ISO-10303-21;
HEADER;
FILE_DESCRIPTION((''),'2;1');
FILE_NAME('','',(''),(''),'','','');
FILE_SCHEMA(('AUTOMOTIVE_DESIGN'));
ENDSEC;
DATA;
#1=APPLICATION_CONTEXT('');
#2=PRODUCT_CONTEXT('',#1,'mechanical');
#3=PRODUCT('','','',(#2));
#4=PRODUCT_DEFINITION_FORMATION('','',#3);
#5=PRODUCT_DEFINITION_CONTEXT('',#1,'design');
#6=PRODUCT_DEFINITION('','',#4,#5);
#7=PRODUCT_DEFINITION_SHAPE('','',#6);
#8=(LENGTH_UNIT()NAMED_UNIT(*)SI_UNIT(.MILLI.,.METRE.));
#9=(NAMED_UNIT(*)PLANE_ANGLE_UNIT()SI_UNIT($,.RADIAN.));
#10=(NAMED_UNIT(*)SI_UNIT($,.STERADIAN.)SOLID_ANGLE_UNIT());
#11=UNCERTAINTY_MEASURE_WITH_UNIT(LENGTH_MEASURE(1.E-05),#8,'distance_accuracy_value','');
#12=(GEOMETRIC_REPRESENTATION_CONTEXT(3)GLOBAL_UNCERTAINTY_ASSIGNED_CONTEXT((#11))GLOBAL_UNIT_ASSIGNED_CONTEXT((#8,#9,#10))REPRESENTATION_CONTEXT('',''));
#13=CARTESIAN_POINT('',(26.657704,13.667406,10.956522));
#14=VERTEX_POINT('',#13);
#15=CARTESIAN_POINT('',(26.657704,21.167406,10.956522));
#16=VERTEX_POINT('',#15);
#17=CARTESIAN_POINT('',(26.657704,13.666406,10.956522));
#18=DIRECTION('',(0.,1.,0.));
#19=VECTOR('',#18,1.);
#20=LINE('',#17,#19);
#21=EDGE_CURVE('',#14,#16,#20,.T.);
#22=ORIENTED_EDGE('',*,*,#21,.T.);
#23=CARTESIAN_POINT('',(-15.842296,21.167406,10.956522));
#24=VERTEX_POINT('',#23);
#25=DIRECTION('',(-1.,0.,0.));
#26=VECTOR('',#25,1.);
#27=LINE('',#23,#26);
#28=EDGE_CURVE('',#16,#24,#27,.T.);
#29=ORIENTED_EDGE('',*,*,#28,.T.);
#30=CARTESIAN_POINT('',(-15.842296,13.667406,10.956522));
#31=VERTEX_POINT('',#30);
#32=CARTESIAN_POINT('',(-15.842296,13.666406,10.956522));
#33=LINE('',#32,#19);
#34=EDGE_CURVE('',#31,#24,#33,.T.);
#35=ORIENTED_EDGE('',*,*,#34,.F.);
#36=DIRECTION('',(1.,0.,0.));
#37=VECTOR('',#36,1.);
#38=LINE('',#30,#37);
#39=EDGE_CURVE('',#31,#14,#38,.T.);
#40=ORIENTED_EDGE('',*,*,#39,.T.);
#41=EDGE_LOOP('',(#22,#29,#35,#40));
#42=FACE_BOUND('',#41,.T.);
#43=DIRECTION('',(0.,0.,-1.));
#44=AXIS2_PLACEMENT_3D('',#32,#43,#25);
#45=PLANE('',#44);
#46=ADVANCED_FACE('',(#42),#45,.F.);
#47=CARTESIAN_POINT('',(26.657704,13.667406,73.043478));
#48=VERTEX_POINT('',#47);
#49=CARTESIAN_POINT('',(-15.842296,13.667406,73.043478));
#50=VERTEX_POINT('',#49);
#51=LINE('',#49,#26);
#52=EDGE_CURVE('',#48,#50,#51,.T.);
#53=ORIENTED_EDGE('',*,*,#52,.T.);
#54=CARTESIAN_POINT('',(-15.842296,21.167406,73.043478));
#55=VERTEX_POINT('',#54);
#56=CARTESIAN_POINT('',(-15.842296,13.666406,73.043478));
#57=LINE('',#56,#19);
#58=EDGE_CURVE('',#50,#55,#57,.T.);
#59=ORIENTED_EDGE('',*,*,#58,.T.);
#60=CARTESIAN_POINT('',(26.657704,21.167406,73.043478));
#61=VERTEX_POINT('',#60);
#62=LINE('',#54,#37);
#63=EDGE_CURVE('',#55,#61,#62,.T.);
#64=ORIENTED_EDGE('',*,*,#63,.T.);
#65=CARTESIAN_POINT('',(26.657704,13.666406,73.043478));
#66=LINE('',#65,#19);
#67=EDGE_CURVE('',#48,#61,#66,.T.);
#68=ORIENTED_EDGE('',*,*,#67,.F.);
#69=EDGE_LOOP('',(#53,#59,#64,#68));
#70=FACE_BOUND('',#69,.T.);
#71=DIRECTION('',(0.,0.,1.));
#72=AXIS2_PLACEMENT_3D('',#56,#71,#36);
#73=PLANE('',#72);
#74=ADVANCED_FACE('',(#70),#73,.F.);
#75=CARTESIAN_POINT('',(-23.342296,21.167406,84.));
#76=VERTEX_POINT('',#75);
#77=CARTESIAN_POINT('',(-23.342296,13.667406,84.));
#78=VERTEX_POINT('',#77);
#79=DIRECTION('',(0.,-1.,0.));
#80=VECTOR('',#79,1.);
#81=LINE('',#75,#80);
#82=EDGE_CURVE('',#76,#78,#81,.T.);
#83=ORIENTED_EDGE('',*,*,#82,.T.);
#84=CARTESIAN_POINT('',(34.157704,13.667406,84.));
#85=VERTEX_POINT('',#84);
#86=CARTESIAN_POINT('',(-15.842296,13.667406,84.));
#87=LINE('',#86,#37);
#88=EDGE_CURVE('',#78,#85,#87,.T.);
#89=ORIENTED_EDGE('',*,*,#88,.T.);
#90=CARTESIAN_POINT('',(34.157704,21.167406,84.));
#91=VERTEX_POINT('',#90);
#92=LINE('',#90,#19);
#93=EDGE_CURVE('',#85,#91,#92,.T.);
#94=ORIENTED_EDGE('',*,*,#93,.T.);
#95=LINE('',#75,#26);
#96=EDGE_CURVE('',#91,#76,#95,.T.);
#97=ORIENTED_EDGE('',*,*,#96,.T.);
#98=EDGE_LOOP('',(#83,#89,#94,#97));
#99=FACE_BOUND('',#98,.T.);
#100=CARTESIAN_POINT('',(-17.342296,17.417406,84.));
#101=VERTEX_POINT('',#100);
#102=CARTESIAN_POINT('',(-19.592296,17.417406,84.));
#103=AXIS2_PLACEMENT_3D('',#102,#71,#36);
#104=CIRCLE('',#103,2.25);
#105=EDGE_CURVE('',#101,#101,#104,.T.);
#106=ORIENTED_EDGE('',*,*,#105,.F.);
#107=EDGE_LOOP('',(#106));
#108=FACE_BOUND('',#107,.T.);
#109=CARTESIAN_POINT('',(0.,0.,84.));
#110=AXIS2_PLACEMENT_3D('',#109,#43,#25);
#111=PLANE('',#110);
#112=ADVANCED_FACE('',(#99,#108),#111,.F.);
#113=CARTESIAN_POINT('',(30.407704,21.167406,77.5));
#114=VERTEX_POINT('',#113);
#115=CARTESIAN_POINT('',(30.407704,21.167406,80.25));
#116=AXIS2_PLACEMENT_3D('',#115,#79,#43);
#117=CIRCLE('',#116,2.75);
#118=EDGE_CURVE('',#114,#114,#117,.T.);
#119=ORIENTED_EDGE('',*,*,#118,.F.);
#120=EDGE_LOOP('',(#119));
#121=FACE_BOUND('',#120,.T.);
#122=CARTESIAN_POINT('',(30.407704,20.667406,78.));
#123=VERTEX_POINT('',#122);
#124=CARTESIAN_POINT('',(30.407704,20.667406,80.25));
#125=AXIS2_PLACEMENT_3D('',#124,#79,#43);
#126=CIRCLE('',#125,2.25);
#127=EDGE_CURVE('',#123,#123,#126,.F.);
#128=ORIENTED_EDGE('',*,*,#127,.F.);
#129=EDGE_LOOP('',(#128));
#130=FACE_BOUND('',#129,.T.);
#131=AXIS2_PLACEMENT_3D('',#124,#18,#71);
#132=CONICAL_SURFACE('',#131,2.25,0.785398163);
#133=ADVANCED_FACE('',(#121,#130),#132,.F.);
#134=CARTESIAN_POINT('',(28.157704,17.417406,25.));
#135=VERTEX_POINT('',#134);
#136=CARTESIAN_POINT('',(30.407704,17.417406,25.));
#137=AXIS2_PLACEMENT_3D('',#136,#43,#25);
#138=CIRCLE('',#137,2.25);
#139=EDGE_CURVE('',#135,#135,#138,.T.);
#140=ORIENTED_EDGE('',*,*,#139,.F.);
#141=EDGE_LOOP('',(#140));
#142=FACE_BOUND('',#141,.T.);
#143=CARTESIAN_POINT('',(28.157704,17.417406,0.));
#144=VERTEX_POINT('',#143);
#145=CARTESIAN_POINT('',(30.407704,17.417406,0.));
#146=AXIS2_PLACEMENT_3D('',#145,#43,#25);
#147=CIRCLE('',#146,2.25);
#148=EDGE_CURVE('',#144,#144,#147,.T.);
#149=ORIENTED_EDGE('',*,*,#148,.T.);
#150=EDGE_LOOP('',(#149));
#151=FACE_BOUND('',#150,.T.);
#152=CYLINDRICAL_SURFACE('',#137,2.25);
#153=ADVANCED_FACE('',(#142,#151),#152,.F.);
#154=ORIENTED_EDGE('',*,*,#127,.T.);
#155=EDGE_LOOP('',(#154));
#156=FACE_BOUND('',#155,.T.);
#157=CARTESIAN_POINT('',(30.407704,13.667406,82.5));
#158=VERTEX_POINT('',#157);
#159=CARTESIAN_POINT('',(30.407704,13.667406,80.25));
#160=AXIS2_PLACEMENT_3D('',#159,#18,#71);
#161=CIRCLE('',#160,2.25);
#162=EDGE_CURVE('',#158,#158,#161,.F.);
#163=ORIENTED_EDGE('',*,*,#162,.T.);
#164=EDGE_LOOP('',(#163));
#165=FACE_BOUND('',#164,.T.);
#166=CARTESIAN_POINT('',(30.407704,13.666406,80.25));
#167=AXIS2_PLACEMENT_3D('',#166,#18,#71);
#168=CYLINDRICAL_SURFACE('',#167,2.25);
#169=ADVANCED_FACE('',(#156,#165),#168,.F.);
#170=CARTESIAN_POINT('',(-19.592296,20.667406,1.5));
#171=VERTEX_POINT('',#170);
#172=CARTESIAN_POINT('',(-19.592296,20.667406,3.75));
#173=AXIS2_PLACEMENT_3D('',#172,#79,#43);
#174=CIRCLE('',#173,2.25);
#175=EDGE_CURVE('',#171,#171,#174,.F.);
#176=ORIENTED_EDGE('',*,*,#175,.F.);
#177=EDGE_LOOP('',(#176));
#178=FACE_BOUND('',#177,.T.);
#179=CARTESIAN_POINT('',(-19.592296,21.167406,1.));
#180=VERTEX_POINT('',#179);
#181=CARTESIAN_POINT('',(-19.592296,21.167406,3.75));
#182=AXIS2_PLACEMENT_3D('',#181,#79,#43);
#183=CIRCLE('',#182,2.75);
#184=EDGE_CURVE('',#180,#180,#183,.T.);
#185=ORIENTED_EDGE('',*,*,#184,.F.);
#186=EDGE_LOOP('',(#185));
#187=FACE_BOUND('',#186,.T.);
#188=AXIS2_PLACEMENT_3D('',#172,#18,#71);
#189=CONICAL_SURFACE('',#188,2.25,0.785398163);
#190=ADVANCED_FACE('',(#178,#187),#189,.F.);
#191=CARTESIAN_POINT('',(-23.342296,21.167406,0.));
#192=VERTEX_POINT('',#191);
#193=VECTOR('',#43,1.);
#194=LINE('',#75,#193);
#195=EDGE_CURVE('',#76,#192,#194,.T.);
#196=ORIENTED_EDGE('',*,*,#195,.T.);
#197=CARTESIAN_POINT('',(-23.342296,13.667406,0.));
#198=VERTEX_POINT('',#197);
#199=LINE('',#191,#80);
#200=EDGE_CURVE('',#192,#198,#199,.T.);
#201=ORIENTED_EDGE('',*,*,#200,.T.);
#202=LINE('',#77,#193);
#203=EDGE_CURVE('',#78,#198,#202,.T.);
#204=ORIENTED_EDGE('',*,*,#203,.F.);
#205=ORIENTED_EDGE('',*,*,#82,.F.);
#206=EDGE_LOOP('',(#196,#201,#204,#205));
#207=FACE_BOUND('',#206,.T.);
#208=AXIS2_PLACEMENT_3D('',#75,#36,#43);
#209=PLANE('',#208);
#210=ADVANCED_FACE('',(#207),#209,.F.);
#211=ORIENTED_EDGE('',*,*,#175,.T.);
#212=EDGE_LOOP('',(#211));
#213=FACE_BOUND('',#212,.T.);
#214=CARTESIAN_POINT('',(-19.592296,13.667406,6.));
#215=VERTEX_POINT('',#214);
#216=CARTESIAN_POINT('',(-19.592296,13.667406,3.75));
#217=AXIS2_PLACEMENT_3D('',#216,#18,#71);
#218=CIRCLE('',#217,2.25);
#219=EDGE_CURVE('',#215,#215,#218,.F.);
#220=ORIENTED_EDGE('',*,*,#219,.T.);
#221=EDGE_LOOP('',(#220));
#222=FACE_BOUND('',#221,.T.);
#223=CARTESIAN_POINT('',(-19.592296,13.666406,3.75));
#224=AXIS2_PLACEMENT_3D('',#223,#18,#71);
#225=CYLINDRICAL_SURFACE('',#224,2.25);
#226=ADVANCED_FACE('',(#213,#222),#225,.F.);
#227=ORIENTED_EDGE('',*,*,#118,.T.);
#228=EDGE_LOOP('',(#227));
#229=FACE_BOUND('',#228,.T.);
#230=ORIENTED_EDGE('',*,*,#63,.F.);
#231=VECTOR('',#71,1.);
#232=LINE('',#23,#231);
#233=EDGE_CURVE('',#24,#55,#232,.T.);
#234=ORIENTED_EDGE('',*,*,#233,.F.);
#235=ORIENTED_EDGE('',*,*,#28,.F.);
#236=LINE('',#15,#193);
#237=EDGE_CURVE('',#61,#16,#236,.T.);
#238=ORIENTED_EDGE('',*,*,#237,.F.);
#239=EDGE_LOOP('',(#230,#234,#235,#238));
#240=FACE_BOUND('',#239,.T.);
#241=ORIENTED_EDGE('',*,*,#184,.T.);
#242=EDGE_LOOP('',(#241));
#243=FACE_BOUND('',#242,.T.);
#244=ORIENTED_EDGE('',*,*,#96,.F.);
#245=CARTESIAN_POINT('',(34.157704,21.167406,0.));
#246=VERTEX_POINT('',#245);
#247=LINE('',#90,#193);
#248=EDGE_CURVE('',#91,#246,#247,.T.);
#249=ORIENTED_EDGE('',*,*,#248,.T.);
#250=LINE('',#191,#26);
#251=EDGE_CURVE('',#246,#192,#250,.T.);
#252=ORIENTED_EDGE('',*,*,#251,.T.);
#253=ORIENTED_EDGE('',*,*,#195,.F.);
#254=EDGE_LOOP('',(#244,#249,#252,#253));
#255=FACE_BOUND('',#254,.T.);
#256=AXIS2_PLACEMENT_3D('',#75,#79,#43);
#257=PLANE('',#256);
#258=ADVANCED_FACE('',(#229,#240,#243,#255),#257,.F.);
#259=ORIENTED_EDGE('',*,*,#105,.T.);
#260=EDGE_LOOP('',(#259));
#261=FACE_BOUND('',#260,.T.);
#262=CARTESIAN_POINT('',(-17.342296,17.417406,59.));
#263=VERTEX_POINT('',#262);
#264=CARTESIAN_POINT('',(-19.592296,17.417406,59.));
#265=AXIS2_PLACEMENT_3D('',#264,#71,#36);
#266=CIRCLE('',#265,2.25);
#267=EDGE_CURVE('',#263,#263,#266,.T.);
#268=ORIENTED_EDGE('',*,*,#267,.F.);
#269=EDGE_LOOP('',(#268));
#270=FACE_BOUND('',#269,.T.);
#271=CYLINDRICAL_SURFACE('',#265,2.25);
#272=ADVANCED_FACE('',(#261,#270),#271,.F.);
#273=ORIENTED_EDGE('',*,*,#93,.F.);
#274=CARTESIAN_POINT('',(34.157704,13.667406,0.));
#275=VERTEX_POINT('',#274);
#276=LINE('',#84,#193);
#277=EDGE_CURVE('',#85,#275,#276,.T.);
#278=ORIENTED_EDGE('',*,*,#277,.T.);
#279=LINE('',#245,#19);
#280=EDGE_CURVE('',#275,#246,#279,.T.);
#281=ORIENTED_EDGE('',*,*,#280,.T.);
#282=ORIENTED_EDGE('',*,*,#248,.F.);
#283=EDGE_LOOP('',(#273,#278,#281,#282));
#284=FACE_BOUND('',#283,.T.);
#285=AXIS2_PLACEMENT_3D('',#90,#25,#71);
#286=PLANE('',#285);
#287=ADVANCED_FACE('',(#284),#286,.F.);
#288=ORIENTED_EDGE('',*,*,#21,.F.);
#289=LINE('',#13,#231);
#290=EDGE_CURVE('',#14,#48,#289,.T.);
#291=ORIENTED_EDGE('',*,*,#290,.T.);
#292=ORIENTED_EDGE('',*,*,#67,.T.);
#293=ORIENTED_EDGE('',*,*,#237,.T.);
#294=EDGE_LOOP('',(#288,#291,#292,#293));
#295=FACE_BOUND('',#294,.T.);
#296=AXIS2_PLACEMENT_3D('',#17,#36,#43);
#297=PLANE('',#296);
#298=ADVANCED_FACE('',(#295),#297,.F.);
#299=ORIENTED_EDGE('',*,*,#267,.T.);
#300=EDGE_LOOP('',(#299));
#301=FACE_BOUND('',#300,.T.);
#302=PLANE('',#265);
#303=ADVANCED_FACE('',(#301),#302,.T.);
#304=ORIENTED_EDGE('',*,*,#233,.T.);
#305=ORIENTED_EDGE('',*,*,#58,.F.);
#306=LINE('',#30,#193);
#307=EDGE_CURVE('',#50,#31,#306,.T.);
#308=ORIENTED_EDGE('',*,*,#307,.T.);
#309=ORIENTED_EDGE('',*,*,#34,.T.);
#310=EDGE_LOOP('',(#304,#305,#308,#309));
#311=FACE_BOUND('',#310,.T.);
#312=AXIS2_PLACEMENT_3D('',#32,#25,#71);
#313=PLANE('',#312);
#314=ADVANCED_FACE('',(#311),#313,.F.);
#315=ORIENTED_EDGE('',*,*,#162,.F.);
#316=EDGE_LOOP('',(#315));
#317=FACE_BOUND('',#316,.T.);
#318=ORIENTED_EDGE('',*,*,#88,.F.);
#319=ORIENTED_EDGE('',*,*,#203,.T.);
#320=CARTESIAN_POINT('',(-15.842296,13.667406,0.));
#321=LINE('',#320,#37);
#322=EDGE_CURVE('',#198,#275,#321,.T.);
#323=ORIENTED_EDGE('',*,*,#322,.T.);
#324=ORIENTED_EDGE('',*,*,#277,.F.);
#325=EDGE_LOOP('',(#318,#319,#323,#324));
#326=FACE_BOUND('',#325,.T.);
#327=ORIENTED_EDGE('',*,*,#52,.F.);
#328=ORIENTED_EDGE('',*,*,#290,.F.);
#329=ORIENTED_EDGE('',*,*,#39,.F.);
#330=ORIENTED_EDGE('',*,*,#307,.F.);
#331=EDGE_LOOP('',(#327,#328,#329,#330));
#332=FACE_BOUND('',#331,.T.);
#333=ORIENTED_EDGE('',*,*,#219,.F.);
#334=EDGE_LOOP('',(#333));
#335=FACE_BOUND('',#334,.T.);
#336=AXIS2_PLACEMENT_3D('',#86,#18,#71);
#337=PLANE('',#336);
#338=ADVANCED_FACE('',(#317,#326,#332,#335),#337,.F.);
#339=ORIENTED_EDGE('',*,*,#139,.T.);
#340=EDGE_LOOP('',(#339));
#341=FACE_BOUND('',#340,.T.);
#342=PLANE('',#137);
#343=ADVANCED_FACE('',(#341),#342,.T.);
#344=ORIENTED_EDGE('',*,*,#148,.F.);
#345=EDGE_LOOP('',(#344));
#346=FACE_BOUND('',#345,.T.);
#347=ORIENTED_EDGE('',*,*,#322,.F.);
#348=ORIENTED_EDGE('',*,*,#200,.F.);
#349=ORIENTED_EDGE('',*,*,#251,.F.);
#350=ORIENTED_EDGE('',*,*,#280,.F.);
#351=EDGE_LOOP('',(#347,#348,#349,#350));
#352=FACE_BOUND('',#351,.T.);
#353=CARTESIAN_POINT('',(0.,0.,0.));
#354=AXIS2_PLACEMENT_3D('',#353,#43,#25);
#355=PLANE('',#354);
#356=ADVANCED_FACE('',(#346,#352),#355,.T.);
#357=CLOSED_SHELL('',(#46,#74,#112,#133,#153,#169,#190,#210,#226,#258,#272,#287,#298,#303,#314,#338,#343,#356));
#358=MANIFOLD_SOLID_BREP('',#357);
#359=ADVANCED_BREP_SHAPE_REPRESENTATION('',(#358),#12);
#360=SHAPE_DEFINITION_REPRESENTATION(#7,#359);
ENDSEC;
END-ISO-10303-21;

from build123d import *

# Parameters (mm, degrees)
BOSS_EXTRU_1_DEPTH      = 84
ESQUISSE3_R             = 2.25
ENL_V_MAT_EXTRU_1_DEPTH = 25
ENL_V_MAT_EXTRU_2_REACH = 9.5
ESQUISSE4_R             = 2.25
ESQUISSE4_W             = 42.5
ESQUISSE4_H             = 62.086956522
ESQUISSE5_R             = 2.25
ENL_V_MAT_EXTRU_3_DEPTH = 25
CHANFREIN1_SIZE         = 0.5


with BuildPart() as part:
    # Esquisse1 → Boss.-Extru.1 (new body)
    with BuildSketch(Plane.XY):
        Polygon((-15.842295968, 13.667406166), (-23.342295968, 13.667406166), (-23.342295968, 21.167406166), (34.157704032, 21.167406166), (34.157704032, 13.667406166), (26.657704032, 13.667406166), align=None)
    extrude(amount=BOSS_EXTRU_1_DEPTH)

    # Esquisse3 → Enlèv. mat.-Extru.1 (cut)
    with BuildSketch(Plane.XY.offset(84)):
        with Locations((-19.592295968, 17.417406166)):
            Circle(ESQUISSE3_R)
    extrude(amount=-ENL_V_MAT_EXTRU_1_DEPTH, mode=Mode.SUBTRACT)

    # Esquisse4 → Enlèv. mat.-Extru.2 (cut, up to next)
    with BuildSketch(Plane(origin=(0, 21.167406166, 0), x_dir=(1, 0, 0), z_dir=(0, 1, 0)), mode=Mode.PRIVATE) as enl_v_mat_extru_2_sk1:
        with Locations((30.407704032, -80.25)):
            Circle(ESQUISSE4_R)
    enl_v_mat_extru_2_tool1 = extrude(enl_v_mat_extru_2_sk1.sketch, amount=-ENL_V_MAT_EXTRU_2_REACH, mode=Mode.PRIVATE) & part.part
    add(enl_v_mat_extru_2_tool1.solids().sort_by_distance((30.407704, 21.167406, 80.25))[0], mode=Mode.SUBTRACT)
    # Esquisse4 → Enlèv. mat.-Extru.2 (cut, up to next)
    with BuildSketch(Plane(origin=(0, 21.167406166, 0), x_dir=(1, 0, 0), z_dir=(0, 1, 0)), mode=Mode.PRIVATE) as enl_v_mat_extru_2_sk2:
        with Locations((-19.592295968, -3.75)):
            Circle(ESQUISSE4_R)
    enl_v_mat_extru_2_tool2 = extrude(enl_v_mat_extru_2_sk2.sketch, amount=-ENL_V_MAT_EXTRU_2_REACH, mode=Mode.PRIVATE) & part.part
    add(enl_v_mat_extru_2_tool2.solids().sort_by_distance((-19.592296, 21.167406, 3.75))[0], mode=Mode.SUBTRACT)
    # Esquisse4 → Enlèv. mat.-Extru.2 (cut, up to next)
    with BuildSketch(Plane(origin=(0, 21.167406166, 0), x_dir=(1, 0, 0), z_dir=(0, 1, 0)), mode=Mode.PRIVATE) as enl_v_mat_extru_2_sk3:
        with Locations((5.407704032, -42)):
            Rectangle(ESQUISSE4_W, ESQUISSE4_H)
    enl_v_mat_extru_2_tool3 = extrude(enl_v_mat_extru_2_sk3.sketch, amount=-ENL_V_MAT_EXTRU_2_REACH, mode=Mode.PRIVATE) & part.part
    add(enl_v_mat_extru_2_tool3.solids().sort_by_distance((5.407704, 21.167406, 42))[0], mode=Mode.SUBTRACT)

    # Esquisse5 → Enlèv. mat.-Extru.3 (cut)
    with BuildSketch(Plane(origin=(0, 0, 0), x_dir=(-1, 0, 0), z_dir=(0, 0, -1))):
        with Locations((-30.407704032, 17.417406166)):
            Circle(ESQUISSE5_R)
    extrude(amount=-ENL_V_MAT_EXTRU_3_DEPTH, mode=Mode.SUBTRACT)

    # Chanfrein1
    chanfrein1_edges = [part.edges().sort_by_distance(p)[0] for p in [
        (28.157704032, 21.167406166, 80.25),
        (-21.842295968, 21.167406166, 3.75),
    ]]
    chamfer(chanfrein1_edges, length=CHANFREIN1_SIZE)


solid = part.part
